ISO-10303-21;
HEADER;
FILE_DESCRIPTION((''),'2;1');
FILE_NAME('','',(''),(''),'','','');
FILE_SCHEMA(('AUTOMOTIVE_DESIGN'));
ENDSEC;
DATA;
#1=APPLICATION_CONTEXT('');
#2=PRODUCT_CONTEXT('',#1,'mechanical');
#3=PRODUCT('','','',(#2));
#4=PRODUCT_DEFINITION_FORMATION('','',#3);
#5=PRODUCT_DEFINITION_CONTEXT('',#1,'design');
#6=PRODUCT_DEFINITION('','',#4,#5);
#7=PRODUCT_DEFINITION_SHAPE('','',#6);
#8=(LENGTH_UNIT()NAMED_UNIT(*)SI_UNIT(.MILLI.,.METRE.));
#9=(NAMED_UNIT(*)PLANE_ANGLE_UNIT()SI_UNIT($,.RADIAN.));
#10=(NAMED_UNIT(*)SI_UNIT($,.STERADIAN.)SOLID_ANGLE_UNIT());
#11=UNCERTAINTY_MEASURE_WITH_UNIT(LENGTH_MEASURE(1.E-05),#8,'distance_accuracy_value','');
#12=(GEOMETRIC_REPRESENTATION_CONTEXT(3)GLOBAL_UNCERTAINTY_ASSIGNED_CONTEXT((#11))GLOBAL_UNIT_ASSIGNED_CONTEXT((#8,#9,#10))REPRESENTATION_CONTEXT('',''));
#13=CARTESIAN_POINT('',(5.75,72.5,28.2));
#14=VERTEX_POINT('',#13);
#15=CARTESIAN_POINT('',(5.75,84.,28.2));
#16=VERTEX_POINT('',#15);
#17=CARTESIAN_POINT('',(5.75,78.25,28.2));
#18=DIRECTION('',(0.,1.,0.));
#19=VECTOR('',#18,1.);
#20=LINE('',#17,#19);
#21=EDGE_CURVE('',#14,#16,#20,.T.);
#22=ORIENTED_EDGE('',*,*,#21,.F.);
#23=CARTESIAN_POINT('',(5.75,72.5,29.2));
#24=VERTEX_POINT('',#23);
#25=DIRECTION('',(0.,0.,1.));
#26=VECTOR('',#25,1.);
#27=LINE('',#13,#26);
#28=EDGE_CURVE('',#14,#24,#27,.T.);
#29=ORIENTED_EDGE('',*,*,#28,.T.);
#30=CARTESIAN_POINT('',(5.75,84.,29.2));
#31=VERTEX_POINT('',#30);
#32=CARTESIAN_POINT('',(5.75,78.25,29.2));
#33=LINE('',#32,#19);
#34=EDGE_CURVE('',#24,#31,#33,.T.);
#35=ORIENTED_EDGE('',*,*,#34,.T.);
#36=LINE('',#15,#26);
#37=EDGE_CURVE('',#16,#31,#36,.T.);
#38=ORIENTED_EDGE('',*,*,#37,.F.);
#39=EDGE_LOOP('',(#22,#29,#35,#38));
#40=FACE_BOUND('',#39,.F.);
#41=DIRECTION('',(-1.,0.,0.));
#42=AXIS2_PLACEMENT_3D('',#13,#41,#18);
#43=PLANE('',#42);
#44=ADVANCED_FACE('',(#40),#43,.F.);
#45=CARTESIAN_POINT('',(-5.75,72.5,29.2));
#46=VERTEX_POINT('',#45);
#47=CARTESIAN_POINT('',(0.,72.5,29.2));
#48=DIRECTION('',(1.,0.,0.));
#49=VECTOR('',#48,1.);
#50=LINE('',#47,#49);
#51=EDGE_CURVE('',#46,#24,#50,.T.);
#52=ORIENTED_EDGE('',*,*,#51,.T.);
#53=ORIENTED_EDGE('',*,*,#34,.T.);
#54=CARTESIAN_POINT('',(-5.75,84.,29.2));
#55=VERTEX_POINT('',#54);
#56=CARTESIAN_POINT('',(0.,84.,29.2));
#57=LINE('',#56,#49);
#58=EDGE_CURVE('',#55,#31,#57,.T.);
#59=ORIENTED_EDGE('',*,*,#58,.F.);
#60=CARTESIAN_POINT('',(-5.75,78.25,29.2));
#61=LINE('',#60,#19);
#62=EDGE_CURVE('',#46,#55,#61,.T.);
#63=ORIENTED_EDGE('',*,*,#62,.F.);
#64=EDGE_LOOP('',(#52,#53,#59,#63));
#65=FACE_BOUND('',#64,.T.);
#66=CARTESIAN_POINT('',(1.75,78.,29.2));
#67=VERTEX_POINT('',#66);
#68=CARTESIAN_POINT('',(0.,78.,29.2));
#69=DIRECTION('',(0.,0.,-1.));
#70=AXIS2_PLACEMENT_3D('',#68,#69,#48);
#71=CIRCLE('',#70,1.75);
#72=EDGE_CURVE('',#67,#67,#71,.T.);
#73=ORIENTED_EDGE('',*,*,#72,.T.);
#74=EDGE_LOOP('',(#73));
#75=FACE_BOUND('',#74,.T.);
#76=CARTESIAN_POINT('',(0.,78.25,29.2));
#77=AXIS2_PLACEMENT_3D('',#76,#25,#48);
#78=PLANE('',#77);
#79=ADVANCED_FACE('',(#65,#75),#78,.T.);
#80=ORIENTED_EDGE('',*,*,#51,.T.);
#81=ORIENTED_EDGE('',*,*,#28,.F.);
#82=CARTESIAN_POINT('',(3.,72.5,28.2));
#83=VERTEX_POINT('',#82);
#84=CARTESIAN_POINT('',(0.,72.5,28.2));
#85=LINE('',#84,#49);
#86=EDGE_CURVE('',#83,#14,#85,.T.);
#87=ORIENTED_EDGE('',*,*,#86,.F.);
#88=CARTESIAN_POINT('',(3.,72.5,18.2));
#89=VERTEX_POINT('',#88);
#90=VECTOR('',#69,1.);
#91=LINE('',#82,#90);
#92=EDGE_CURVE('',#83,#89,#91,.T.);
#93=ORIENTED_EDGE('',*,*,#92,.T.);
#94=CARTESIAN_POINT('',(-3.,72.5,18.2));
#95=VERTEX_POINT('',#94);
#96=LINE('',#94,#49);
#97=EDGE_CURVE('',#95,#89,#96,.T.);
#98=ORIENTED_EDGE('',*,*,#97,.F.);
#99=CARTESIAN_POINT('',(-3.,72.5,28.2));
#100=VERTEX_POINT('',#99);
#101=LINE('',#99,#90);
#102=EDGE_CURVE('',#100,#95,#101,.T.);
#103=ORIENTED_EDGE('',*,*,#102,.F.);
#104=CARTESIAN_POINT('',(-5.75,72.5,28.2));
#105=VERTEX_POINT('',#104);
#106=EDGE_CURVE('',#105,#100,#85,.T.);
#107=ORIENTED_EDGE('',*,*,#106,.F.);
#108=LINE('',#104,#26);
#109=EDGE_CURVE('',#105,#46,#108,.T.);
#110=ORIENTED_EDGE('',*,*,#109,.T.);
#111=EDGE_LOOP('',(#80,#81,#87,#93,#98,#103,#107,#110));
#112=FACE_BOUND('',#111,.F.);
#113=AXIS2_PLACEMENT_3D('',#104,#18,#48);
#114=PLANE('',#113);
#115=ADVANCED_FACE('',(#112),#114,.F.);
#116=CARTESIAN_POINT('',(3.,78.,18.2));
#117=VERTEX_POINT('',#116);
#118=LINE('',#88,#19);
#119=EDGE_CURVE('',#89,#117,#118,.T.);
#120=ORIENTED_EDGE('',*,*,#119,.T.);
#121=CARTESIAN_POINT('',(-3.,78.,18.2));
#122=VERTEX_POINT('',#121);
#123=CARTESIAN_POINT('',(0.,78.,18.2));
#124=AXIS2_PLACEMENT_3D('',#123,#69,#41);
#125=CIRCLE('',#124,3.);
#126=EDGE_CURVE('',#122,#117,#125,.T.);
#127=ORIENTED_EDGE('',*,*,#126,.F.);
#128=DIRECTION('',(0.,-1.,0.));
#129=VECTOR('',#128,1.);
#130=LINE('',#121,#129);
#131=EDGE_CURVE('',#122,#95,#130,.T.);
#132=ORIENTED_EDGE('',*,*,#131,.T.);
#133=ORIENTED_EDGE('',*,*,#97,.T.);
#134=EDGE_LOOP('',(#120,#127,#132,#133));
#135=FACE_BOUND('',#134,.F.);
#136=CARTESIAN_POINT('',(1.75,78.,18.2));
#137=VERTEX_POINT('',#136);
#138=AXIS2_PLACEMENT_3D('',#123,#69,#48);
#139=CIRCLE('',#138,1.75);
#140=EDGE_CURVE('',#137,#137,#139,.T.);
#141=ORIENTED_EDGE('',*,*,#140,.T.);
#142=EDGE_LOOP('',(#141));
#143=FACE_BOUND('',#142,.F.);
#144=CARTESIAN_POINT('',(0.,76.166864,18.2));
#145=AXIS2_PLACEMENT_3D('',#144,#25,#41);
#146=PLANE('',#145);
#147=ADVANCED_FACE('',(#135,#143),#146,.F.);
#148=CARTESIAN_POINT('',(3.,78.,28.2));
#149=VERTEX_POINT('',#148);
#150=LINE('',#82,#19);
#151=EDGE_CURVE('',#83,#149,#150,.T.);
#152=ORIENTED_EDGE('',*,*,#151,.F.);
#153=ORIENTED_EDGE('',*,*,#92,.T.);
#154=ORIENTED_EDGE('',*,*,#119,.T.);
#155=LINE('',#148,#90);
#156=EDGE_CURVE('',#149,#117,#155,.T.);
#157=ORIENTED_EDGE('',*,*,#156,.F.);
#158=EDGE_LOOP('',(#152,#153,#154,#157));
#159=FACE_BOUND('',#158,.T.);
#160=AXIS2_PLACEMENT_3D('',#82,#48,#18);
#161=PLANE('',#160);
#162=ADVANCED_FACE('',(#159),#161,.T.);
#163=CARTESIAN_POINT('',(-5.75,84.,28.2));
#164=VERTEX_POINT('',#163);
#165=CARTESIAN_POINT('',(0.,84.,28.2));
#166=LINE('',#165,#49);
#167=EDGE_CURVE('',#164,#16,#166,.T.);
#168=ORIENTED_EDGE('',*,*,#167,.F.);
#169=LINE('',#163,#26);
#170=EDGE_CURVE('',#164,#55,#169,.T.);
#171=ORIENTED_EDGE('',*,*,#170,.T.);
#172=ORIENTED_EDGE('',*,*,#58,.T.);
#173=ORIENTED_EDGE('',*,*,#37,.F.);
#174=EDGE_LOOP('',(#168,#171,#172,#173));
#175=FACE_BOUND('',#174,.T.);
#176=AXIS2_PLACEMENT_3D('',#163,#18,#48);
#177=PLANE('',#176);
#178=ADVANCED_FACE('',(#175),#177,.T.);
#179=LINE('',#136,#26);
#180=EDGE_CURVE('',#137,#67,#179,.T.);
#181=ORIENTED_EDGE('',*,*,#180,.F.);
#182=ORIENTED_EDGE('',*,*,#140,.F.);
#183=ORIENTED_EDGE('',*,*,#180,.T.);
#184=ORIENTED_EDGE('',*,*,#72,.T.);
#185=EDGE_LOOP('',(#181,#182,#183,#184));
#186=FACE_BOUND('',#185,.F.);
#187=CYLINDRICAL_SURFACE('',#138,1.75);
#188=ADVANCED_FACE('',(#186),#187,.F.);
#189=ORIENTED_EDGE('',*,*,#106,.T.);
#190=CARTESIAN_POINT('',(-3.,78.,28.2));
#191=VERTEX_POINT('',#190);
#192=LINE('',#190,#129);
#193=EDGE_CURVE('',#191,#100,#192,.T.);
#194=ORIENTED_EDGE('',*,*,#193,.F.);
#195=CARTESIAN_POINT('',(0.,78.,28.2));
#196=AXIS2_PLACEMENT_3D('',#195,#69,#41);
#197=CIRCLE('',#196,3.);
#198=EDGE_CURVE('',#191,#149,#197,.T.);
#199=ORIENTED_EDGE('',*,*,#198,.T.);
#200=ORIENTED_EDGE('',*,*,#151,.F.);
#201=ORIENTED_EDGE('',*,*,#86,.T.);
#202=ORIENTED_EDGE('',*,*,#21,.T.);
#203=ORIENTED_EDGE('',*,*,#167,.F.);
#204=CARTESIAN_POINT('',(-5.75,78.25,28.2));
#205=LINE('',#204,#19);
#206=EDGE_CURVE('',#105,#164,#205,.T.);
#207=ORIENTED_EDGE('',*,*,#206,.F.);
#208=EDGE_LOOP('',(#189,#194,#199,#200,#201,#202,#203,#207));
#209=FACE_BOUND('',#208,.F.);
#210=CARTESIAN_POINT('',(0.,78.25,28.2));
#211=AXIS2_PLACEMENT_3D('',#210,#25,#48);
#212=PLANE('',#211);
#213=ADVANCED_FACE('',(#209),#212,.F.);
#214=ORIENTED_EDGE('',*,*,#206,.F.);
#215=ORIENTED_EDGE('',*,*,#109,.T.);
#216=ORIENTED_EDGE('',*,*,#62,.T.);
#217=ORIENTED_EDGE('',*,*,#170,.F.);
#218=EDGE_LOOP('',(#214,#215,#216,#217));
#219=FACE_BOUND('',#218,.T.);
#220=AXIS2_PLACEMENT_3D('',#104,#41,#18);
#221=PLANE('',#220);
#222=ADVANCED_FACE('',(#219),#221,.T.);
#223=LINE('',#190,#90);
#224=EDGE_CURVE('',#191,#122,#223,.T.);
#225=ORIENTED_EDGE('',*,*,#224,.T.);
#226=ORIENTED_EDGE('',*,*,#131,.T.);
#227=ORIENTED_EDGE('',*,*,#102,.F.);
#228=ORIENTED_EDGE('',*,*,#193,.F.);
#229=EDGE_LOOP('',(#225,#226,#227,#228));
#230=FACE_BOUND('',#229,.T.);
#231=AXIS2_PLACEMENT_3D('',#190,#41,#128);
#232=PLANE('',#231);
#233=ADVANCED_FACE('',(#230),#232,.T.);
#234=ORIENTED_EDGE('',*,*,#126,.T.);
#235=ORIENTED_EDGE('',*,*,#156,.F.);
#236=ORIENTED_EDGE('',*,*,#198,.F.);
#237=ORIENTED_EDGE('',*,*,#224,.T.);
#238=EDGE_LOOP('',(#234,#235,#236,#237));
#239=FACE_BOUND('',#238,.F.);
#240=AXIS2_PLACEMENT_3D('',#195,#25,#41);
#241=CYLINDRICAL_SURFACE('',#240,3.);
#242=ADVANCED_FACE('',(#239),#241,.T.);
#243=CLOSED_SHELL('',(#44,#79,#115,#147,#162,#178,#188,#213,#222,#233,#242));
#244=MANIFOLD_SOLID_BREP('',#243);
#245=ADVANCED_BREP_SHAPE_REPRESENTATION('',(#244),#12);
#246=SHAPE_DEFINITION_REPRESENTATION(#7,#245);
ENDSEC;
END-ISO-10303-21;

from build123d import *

# Parameters (mm, degrees)
SKETCH022_W     = 11.5
SKETCH022_H     = 11.5
PAD010_DEPTH    = 1
PAD011_DEPTH    = 10
SKETCH024_R     = 1.75
POCKET010_DEPTH = 11.001


with BuildPart() as part:
    # Sketch022 → Pad010 (new body)
    with BuildSketch(Plane.XY):
        with Locations((0, 5.75)):
            Rectangle(SKETCH022_W, SKETCH022_H)
    extrude(amount=PAD010_DEPTH)

    # Sketch023 (on Face5 of Pad010) → Pad011 (join)
    with BuildSketch(Plane(origin=(0, 0, 0), x_dir=(1, 0, 0), z_dir=(0, 0, -1))):
        with BuildLine():
            Line((-3, -5.5), (-3, 0))
            Line((-3, 0), (3, 0))
            Line((3, 0), (3, -5.5))
            ThreePointArc((-3, -5.5), (0, -8.5), (3, -5.5))
        make_face()
    extrude(amount=PAD011_DEPTH)

    # Sketch024 (on Face11 of Pad011) → Pocket010 (cut, through all)
    with BuildSketch(Plane(origin=(0, 0, -10), x_dir=(1, 0, 0), z_dir=(0, 0, -1))):
        with Locations((0, -5.5)):
            Circle(SKETCH024_R)
    extrude(amount=-POCKET010_DEPTH, mode=Mode.SUBTRACT)


with BuildPart() as part_1:
    # Body009 placement: moved
    add(part.part.moved(Location((0, 72.5, 28.2))))


solid = part_1.part
